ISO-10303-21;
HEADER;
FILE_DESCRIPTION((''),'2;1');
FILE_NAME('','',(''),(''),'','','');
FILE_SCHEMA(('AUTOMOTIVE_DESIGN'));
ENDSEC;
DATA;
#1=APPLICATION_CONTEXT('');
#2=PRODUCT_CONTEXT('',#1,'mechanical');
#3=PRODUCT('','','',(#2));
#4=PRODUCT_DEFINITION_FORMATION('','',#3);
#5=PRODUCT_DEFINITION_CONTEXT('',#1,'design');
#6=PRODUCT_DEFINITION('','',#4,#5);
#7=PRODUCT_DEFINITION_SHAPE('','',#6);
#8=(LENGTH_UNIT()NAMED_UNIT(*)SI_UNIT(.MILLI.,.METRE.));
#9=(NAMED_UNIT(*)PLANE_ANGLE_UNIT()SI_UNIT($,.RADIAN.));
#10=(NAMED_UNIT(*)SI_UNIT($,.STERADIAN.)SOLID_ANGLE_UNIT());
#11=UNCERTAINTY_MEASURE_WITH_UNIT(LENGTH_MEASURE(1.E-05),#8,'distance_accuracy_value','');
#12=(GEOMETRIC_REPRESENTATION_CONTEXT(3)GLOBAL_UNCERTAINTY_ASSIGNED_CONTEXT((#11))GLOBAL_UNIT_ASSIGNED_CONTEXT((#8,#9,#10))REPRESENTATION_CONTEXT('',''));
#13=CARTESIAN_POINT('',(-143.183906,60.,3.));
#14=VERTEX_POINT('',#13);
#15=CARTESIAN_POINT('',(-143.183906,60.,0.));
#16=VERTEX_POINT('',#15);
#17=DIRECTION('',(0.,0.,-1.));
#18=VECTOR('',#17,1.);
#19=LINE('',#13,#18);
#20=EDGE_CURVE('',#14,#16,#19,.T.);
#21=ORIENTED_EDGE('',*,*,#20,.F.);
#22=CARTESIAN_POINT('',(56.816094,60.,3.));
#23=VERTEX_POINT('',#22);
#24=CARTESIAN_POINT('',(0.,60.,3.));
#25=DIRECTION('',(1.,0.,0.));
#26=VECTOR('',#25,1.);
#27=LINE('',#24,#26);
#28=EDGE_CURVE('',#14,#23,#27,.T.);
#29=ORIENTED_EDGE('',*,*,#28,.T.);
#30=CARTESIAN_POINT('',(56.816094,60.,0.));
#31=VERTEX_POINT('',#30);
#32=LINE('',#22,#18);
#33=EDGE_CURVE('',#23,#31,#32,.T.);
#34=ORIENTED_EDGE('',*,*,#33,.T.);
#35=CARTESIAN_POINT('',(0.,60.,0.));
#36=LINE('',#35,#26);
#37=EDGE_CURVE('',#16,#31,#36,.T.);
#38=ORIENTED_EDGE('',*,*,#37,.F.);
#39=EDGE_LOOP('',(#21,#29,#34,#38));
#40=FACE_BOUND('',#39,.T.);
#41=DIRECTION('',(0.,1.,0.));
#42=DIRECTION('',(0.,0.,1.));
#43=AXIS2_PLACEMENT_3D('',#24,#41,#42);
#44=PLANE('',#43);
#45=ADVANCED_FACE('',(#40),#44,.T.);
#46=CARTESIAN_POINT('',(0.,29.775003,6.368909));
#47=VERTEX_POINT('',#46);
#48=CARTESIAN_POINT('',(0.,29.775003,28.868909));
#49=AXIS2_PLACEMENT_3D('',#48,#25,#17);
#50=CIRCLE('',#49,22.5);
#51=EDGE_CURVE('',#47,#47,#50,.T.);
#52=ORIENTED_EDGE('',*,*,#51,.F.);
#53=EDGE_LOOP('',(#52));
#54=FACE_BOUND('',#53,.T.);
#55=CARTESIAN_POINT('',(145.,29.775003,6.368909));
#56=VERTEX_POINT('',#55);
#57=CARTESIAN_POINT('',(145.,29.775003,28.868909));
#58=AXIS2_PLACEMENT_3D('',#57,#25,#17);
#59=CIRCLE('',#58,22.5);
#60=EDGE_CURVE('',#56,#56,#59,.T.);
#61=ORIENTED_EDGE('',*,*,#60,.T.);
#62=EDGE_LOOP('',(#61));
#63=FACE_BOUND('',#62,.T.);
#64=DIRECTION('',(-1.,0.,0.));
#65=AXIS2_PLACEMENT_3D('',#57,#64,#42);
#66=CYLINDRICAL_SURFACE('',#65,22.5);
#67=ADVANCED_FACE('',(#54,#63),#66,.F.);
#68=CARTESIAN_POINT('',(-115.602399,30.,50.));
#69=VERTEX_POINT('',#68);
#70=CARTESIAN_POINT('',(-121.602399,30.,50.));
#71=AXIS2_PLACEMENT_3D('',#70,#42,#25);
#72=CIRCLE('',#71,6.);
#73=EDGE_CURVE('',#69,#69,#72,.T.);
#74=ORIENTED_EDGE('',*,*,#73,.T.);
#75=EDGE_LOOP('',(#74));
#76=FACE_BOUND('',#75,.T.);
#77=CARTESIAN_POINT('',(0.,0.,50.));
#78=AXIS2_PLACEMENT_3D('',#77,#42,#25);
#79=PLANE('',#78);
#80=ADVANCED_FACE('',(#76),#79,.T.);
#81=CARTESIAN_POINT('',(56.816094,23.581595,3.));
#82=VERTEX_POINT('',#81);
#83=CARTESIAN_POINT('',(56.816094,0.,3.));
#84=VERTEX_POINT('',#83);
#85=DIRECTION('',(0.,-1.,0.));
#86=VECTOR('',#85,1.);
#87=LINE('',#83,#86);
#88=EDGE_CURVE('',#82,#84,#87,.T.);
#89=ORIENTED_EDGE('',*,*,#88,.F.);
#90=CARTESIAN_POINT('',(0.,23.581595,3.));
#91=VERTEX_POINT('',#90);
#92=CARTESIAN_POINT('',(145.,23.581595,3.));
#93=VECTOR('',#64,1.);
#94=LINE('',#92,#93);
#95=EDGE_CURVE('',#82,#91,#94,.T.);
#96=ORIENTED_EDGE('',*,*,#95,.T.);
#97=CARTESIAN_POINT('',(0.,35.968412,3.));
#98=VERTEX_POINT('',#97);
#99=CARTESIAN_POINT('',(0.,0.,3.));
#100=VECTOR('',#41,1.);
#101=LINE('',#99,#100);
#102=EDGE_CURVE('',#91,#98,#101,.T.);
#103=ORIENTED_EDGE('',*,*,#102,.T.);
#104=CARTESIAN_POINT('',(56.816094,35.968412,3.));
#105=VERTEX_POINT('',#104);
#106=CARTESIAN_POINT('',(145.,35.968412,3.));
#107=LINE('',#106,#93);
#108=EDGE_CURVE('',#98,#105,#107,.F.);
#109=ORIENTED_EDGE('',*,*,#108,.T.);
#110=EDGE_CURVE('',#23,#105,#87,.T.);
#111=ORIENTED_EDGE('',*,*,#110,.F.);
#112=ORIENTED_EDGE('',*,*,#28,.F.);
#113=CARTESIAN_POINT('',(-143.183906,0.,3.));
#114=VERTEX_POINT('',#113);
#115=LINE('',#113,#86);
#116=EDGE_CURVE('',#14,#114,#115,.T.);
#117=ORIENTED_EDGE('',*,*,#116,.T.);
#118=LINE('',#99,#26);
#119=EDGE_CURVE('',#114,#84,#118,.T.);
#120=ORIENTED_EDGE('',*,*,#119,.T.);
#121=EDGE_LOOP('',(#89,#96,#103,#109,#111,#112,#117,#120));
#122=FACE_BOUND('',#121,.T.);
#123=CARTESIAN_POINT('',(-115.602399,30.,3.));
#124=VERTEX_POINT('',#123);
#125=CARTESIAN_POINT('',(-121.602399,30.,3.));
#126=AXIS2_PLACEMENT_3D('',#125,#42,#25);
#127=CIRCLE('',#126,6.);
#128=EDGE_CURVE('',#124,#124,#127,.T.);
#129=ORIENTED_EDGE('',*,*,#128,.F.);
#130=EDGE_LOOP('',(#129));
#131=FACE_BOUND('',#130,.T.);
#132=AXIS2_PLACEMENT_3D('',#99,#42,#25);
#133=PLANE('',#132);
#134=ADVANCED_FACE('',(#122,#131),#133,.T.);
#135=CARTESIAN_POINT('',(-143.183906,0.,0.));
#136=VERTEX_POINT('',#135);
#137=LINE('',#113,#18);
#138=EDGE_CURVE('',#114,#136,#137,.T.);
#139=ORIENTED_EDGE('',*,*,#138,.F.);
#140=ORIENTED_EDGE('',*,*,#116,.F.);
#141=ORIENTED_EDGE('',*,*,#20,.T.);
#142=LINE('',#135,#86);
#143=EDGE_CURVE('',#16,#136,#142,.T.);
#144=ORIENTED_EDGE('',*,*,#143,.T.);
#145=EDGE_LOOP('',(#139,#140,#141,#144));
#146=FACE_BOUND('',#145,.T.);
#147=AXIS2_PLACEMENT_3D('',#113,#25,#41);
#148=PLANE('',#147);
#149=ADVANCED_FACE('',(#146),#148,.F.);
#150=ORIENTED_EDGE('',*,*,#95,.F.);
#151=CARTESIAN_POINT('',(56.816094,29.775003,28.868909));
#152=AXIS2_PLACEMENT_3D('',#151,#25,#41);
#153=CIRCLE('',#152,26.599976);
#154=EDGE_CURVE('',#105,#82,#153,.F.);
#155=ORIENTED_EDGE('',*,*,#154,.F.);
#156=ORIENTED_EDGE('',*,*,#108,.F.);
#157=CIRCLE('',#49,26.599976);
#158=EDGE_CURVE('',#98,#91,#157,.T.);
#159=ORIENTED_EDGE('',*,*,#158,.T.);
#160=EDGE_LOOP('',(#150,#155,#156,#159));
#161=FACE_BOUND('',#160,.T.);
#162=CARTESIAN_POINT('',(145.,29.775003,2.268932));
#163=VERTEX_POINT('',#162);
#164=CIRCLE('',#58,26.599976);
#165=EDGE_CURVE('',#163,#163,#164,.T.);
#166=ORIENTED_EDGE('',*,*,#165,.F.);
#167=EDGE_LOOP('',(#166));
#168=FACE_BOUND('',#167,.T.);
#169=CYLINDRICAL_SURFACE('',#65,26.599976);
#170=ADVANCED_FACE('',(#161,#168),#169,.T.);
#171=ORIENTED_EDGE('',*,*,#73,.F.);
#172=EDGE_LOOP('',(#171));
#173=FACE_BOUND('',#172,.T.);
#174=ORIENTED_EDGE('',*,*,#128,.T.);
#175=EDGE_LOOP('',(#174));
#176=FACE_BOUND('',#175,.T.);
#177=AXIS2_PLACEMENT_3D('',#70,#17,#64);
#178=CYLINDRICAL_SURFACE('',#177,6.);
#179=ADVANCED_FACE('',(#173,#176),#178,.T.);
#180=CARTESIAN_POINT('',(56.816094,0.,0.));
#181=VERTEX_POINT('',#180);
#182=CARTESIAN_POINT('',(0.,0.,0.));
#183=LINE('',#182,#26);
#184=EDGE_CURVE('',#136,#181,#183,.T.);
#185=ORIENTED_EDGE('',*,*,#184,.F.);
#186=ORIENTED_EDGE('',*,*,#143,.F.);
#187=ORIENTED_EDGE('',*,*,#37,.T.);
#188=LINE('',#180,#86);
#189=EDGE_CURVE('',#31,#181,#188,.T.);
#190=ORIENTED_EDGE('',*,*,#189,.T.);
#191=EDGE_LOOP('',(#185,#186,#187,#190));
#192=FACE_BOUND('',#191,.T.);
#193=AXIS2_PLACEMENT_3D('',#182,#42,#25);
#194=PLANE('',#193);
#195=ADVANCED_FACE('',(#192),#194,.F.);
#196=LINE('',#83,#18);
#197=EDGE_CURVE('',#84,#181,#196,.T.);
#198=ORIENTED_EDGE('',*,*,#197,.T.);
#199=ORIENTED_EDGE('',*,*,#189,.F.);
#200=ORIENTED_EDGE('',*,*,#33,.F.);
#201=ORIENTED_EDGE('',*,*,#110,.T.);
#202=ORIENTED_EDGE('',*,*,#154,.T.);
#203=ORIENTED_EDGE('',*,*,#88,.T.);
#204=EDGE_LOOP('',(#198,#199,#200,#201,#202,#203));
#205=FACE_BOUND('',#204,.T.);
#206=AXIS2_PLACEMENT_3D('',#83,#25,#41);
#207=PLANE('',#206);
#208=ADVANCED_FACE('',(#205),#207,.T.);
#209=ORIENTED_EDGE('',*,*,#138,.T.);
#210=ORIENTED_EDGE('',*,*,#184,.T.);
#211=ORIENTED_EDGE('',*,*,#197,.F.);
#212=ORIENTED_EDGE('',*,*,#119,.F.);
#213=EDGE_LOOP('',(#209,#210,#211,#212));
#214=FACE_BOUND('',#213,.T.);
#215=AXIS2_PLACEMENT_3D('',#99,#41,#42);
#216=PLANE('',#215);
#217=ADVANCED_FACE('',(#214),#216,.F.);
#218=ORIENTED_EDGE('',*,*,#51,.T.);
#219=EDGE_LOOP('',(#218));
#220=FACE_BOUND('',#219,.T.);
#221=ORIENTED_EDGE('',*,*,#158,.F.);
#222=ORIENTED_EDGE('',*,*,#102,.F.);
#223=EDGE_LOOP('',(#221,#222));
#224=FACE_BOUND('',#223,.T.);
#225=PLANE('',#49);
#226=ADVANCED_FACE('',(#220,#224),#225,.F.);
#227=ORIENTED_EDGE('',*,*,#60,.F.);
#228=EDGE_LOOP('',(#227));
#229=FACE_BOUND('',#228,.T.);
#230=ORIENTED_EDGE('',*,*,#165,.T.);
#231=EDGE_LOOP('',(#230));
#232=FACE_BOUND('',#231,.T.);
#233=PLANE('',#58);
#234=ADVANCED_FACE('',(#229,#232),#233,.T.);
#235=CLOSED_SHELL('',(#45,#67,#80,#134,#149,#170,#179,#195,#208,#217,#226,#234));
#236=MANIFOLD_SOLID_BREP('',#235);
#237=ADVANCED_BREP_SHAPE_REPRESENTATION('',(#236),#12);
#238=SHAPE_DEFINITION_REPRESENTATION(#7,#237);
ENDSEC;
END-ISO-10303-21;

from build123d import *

# Parameters (mm, degrees)
EXTRUDE_1_DEPTH = 3
EXTRUDE_2_DEPTH = 50
SKETCH_2_R      = 26.59997625
SKETCH_2_R_2    = 22.5
EXTRUDE_3_DEPTH = 145


with BuildPart() as part:
    # 草图1 → 凸台-拉伸1 (new body)
    with BuildSketch(Plane(origin=(-45.881001885, 0, 0), x_dir=(1, 0, 0), z_dir=(0, 0, 1))):
        Polygon((-97.302904564, 60), (-97.302904564, 30), (-97.302904564, 0), (102.697095436, 0), (102.697095436, 60), align=None)
        with BuildLine():
            ThreePointArc((-69.721397193, 30), (-75.721397193, 24), (-81.721397193, 30))
            ThreePointArc((-81.721397193, 30), (-75.721397193, 36), (-69.721397193, 30))
        make_face(mode=Mode.SUBTRACT)
    extrude(amount=EXTRUDE_1_DEPTH)

    # 草图1<3> → 凸台-拉伸2 (add)
    with BuildSketch(Plane(origin=(-45.881001885, 0, 0), x_dir=(1, 0, 0), z_dir=(0, 0, 1))):
        with BuildLine():
            ThreePointArc((-69.721397193, 30), (-75.721397193, 36), (-81.721397193, 30))
            ThreePointArc((-81.721397193, 30), (-75.721397193, 24), (-69.721397193, 30))
        make_face()
    extrude(amount=EXTRUDE_2_DEPTH)

    # 草图2 → 凸台-拉伸3 (add)
    with BuildSketch(Plane(origin=(0, 0, 2.268932334), x_dir=(0, 0, -1), z_dir=(1, 0, 0))):
        with Locations((-26.59997625, 29.77500334)):
            Circle(SKETCH_2_R)
        with Locations((-26.59997625, 29.77500334)):
            Circle(SKETCH_2_R_2, mode=Mode.SUBTRACT)
    extrude(amount=EXTRUDE_3_DEPTH)


solid = part.part
